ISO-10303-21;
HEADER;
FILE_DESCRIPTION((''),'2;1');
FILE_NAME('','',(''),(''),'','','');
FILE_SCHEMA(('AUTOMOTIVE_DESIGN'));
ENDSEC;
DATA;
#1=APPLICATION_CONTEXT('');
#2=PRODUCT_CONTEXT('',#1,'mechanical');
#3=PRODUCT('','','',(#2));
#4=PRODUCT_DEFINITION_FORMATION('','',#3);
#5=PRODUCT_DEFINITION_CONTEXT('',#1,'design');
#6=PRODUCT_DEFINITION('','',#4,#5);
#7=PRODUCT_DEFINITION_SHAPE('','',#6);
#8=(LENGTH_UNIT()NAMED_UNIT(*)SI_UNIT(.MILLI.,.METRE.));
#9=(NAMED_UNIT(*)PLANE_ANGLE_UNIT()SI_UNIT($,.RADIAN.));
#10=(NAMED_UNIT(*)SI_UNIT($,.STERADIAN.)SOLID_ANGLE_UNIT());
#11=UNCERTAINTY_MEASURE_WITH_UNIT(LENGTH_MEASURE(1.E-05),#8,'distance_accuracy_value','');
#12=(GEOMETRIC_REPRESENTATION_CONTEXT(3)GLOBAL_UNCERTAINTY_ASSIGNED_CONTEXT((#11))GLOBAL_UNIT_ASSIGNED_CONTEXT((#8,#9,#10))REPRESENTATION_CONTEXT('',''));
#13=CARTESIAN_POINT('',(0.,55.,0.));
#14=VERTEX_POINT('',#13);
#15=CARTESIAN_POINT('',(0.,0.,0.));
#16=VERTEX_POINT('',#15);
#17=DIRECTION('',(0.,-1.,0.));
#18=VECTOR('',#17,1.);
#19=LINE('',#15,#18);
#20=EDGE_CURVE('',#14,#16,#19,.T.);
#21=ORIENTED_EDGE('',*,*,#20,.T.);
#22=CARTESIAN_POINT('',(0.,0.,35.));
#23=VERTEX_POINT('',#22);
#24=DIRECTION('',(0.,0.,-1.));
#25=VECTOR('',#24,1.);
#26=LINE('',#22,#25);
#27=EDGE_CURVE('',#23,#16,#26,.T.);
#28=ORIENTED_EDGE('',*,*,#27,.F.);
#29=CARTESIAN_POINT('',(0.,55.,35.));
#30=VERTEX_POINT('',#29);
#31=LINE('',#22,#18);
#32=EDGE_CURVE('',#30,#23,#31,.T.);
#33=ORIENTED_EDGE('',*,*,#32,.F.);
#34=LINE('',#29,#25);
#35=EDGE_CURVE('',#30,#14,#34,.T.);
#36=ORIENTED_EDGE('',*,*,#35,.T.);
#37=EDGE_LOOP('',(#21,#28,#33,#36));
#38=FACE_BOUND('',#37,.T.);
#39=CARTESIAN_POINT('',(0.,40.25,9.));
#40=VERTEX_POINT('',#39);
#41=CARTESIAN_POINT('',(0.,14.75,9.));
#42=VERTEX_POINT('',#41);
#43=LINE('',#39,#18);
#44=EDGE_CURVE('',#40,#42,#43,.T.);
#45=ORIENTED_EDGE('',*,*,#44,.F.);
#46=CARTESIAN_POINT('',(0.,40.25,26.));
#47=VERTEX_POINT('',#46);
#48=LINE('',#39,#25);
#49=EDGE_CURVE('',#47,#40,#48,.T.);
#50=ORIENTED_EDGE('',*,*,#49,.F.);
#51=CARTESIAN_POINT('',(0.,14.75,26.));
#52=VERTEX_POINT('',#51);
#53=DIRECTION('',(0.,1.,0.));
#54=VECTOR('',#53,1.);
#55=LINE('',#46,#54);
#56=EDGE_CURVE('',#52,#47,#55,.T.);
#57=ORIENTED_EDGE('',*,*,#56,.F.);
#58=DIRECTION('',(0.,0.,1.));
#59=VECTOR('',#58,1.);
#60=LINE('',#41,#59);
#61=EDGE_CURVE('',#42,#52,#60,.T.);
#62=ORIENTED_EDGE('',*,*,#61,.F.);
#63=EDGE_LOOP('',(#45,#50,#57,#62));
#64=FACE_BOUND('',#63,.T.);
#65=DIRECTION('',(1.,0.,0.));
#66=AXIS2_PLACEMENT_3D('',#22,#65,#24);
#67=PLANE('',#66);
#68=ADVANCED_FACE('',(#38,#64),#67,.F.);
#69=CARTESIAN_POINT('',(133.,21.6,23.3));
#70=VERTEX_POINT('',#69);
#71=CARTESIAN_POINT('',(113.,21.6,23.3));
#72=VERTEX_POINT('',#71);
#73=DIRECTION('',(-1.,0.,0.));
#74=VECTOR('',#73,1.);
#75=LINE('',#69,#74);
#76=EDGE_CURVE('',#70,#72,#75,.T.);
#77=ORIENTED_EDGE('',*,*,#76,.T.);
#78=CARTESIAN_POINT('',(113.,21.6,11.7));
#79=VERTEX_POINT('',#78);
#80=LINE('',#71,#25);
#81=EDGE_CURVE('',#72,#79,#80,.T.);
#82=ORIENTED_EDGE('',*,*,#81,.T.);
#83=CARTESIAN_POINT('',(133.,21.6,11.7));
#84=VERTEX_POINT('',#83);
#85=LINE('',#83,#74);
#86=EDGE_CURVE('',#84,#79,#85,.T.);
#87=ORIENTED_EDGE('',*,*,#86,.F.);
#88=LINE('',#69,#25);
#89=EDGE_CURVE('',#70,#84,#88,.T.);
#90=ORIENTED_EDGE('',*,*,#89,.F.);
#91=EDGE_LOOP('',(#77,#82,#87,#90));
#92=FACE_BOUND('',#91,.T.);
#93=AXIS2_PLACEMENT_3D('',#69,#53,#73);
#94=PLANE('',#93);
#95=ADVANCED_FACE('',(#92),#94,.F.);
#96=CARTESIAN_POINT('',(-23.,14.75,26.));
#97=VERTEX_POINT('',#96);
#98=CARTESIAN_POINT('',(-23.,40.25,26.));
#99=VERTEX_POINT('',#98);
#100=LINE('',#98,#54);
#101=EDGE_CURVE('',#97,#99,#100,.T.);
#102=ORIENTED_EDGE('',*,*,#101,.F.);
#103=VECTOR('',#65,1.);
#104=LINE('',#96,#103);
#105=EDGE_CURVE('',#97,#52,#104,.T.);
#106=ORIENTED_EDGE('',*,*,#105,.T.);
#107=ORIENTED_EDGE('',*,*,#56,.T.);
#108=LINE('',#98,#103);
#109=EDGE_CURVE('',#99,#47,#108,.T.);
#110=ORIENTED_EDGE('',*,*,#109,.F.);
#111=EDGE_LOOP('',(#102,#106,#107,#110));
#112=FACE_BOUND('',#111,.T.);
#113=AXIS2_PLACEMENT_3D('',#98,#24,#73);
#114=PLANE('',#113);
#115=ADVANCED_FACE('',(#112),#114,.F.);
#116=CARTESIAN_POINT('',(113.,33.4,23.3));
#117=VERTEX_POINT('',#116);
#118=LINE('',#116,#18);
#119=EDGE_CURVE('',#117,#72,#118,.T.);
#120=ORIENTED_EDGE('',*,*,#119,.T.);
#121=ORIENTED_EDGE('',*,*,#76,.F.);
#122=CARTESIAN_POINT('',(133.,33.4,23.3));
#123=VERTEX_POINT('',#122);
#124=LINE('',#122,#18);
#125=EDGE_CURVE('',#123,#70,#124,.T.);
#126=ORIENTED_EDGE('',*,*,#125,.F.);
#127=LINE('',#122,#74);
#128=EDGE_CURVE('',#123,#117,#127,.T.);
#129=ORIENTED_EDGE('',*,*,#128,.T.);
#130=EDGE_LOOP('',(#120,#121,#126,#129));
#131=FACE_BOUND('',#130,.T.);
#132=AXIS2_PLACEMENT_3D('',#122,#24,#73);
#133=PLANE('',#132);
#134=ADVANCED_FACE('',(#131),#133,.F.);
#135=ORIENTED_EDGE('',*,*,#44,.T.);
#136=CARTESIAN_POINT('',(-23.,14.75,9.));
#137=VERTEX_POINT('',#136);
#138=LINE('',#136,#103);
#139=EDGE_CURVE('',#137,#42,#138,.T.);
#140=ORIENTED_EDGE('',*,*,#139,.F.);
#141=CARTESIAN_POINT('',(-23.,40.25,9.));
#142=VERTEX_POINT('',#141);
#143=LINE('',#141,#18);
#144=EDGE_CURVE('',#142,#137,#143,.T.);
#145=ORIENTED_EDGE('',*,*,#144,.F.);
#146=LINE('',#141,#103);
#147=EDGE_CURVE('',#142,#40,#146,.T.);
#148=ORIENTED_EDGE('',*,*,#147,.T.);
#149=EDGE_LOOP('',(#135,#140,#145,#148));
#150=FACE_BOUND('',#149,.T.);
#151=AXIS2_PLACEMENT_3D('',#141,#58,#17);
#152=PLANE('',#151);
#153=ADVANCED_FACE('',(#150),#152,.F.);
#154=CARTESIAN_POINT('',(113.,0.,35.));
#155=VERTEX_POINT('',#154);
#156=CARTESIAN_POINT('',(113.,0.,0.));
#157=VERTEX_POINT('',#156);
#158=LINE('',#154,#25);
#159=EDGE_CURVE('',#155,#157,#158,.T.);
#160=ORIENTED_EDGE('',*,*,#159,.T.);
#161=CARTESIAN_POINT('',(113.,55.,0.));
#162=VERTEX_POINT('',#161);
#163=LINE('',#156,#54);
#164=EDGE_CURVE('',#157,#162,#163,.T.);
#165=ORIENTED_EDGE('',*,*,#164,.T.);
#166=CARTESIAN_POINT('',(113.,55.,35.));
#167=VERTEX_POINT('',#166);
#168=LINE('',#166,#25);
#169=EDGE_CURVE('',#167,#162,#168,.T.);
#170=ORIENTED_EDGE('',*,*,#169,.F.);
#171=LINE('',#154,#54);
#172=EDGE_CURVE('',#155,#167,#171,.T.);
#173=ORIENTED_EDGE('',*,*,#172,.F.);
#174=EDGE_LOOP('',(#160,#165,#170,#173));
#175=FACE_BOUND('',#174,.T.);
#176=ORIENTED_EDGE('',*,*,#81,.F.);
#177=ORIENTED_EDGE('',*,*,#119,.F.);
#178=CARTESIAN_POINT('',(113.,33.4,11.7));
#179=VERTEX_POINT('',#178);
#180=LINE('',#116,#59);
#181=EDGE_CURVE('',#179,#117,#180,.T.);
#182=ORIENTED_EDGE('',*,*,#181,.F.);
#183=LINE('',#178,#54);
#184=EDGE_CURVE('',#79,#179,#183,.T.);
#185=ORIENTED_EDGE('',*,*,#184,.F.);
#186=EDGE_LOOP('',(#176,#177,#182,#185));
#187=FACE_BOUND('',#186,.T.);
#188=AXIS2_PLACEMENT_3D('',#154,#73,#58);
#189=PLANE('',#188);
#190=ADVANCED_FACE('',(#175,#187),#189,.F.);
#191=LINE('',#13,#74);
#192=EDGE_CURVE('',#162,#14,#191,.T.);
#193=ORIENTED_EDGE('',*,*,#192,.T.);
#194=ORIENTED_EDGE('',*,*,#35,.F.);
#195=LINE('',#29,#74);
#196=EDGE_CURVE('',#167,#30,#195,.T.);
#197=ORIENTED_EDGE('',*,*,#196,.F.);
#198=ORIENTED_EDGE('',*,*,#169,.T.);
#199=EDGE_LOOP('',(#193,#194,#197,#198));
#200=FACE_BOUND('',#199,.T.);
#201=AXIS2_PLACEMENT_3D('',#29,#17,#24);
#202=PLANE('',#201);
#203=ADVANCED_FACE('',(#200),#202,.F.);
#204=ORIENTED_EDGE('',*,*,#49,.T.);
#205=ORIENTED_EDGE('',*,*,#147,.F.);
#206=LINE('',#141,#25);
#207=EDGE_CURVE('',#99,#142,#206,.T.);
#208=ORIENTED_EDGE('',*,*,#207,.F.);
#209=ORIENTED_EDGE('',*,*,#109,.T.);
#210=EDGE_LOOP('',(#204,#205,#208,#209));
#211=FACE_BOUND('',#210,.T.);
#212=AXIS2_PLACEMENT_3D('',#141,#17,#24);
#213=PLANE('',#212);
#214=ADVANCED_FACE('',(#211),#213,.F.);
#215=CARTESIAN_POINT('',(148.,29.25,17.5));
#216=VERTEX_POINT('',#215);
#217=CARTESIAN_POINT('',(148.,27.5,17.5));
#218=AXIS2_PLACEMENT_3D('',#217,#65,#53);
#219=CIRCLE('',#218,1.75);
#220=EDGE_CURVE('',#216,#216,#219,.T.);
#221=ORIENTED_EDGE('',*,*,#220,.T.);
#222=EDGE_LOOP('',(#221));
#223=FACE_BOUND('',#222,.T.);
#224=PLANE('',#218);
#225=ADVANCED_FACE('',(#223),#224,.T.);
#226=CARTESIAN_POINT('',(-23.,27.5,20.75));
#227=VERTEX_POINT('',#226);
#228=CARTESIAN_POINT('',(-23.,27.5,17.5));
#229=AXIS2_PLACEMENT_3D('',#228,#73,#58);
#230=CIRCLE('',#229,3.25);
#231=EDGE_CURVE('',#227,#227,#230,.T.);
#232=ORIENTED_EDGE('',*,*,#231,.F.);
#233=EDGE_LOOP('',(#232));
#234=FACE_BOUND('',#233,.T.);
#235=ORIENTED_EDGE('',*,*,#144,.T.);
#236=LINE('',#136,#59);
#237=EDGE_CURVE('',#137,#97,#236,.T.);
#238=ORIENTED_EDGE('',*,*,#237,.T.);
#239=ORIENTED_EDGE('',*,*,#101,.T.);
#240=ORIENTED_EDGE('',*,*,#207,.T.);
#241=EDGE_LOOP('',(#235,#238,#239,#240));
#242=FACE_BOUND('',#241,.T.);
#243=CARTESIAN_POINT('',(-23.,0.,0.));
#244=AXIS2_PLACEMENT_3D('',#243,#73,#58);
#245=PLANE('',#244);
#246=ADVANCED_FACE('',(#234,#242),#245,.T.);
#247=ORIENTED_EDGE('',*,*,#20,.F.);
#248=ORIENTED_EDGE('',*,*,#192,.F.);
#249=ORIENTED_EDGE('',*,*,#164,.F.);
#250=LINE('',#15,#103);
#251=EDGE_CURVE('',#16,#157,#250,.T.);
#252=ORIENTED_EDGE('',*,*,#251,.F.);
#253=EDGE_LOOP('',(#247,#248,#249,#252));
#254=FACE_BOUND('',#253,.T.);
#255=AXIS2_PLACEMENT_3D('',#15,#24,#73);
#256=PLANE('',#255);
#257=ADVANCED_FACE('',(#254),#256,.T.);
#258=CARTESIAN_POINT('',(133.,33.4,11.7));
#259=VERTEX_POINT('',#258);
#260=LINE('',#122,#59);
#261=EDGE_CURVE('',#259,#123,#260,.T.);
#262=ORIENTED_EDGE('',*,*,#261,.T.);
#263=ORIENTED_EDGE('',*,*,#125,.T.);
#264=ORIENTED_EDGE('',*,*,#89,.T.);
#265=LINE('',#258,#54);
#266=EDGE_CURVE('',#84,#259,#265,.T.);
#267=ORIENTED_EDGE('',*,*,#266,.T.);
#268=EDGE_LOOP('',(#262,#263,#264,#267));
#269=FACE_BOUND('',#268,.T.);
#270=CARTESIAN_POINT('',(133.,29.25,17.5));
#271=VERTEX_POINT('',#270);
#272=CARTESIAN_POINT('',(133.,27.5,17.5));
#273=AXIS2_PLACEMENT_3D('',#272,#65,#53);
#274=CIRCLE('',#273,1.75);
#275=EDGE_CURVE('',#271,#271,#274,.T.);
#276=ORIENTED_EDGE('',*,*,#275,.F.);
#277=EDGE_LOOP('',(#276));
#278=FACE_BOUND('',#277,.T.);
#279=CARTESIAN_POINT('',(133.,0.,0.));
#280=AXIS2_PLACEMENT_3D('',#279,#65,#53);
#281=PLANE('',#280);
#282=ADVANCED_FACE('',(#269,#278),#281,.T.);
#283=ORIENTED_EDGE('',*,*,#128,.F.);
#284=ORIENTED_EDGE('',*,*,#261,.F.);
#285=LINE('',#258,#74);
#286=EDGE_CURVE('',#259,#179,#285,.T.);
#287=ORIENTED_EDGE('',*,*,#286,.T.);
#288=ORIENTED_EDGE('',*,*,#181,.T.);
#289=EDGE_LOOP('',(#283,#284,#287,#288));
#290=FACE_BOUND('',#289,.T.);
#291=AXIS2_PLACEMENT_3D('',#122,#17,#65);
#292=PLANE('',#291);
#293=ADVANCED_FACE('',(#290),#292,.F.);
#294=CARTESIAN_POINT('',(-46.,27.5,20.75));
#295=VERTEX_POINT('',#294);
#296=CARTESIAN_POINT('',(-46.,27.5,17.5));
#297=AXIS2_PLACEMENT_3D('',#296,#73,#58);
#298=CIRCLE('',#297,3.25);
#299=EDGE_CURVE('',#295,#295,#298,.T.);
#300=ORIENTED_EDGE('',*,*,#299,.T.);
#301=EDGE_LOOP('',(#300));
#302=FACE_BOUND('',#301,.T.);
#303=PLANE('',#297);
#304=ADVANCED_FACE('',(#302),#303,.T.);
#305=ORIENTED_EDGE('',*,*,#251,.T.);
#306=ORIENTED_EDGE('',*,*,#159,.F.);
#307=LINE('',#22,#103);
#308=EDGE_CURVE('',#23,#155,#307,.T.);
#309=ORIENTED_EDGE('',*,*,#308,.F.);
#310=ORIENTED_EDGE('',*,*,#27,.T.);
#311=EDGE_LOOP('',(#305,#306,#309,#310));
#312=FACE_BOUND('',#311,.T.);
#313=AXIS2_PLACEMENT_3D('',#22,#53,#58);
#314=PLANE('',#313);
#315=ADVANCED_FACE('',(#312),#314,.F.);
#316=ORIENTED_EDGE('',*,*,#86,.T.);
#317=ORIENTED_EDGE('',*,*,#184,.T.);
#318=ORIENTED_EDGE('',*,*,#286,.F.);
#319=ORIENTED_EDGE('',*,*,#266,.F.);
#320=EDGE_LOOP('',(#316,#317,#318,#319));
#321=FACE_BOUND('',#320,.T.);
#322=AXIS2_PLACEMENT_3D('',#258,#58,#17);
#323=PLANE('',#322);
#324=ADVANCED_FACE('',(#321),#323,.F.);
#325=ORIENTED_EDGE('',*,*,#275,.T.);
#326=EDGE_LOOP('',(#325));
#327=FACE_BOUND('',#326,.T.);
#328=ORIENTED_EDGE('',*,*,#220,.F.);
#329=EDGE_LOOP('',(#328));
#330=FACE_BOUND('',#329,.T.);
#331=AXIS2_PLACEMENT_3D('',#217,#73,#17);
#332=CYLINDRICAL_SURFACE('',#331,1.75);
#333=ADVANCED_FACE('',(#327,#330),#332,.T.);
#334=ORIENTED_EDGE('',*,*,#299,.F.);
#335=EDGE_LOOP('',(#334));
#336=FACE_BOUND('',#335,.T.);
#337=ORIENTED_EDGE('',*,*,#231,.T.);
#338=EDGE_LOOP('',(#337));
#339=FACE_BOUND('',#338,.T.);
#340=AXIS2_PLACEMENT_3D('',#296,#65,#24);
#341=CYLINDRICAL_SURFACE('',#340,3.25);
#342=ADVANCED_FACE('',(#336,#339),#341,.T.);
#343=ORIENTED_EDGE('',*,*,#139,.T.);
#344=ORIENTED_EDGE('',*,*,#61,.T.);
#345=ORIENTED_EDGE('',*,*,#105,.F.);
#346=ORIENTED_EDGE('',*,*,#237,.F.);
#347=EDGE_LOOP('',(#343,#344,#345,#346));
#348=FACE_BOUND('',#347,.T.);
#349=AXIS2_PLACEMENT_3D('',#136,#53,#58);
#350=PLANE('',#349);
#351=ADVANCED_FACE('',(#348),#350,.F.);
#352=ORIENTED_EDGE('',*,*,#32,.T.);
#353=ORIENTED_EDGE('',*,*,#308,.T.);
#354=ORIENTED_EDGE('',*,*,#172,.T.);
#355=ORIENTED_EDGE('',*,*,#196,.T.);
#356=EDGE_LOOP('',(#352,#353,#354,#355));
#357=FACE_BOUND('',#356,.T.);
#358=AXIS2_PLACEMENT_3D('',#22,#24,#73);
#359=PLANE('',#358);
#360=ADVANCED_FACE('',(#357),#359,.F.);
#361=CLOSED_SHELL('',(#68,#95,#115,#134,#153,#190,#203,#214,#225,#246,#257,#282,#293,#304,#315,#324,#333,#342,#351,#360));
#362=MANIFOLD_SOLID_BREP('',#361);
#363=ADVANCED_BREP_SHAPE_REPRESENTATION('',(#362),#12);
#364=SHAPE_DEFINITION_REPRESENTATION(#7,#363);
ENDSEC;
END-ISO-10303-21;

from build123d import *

# Parameters (mm, degrees)
SKETCH1_W           = 113
SKETCH1_H           = 55
BOSS_EXTRUDE2_DEPTH = 35
SKETCH3_W           = 11.6
SKETCH3_H           = 11.8
BOSS_EXTRUDE3_DEPTH = 20
SKETCH4_R           = 1.75
BOSS_EXTRUDE4_DEPTH = 15
SKETCH5_W           = 17
SKETCH5_H           = 25.5
BOSS_EXTRUDE5_DEPTH = 23
SKETCH6_R           = 3.25
BOSS_EXTRUDE6_DEPTH = 23


with BuildPart() as part:
    # Sketch1 → Boss-Extrude2 (new body)
    with BuildSketch(Plane.XY):
        with Locations((56.5, 27.5)):
            Rectangle(SKETCH1_W, SKETCH1_H)
    extrude(amount=BOSS_EXTRUDE2_DEPTH)

    # Sketch3 → Boss-Extrude3 (add)
    with BuildSketch(Plane(origin=(113, 0, 0), x_dir=(0, 0, -1), z_dir=(1, 0, 0))):
        with Locations((-17.5, 27.5)):
            Rectangle(SKETCH3_W, SKETCH3_H)
    extrude(amount=BOSS_EXTRUDE3_DEPTH)

    # Sketch4 → Boss-Extrude4 (add)
    with BuildSketch(Plane(origin=(133, 0, 0), x_dir=(0, 0, -1), z_dir=(1, 0, 0))):
        with Locations((-17.5, 27.5)):
            Circle(SKETCH4_R)
    extrude(amount=BOSS_EXTRUDE4_DEPTH)

    # Sketch5 → Boss-Extrude5 (add)
    with BuildSketch(Plane.ZY):
        with Locations((17.5, 27.5)):
            Rectangle(SKETCH5_W, SKETCH5_H)
    extrude(amount=BOSS_EXTRUDE5_DEPTH)

    # Sketch6 → Boss-Extrude6 (add)
    with BuildSketch(Plane.ZY.offset(23)):
        with Locations((17.5, 27.5)):
            Circle(SKETCH6_R)
    extrude(amount=BOSS_EXTRUDE6_DEPTH)


solid = part.part
